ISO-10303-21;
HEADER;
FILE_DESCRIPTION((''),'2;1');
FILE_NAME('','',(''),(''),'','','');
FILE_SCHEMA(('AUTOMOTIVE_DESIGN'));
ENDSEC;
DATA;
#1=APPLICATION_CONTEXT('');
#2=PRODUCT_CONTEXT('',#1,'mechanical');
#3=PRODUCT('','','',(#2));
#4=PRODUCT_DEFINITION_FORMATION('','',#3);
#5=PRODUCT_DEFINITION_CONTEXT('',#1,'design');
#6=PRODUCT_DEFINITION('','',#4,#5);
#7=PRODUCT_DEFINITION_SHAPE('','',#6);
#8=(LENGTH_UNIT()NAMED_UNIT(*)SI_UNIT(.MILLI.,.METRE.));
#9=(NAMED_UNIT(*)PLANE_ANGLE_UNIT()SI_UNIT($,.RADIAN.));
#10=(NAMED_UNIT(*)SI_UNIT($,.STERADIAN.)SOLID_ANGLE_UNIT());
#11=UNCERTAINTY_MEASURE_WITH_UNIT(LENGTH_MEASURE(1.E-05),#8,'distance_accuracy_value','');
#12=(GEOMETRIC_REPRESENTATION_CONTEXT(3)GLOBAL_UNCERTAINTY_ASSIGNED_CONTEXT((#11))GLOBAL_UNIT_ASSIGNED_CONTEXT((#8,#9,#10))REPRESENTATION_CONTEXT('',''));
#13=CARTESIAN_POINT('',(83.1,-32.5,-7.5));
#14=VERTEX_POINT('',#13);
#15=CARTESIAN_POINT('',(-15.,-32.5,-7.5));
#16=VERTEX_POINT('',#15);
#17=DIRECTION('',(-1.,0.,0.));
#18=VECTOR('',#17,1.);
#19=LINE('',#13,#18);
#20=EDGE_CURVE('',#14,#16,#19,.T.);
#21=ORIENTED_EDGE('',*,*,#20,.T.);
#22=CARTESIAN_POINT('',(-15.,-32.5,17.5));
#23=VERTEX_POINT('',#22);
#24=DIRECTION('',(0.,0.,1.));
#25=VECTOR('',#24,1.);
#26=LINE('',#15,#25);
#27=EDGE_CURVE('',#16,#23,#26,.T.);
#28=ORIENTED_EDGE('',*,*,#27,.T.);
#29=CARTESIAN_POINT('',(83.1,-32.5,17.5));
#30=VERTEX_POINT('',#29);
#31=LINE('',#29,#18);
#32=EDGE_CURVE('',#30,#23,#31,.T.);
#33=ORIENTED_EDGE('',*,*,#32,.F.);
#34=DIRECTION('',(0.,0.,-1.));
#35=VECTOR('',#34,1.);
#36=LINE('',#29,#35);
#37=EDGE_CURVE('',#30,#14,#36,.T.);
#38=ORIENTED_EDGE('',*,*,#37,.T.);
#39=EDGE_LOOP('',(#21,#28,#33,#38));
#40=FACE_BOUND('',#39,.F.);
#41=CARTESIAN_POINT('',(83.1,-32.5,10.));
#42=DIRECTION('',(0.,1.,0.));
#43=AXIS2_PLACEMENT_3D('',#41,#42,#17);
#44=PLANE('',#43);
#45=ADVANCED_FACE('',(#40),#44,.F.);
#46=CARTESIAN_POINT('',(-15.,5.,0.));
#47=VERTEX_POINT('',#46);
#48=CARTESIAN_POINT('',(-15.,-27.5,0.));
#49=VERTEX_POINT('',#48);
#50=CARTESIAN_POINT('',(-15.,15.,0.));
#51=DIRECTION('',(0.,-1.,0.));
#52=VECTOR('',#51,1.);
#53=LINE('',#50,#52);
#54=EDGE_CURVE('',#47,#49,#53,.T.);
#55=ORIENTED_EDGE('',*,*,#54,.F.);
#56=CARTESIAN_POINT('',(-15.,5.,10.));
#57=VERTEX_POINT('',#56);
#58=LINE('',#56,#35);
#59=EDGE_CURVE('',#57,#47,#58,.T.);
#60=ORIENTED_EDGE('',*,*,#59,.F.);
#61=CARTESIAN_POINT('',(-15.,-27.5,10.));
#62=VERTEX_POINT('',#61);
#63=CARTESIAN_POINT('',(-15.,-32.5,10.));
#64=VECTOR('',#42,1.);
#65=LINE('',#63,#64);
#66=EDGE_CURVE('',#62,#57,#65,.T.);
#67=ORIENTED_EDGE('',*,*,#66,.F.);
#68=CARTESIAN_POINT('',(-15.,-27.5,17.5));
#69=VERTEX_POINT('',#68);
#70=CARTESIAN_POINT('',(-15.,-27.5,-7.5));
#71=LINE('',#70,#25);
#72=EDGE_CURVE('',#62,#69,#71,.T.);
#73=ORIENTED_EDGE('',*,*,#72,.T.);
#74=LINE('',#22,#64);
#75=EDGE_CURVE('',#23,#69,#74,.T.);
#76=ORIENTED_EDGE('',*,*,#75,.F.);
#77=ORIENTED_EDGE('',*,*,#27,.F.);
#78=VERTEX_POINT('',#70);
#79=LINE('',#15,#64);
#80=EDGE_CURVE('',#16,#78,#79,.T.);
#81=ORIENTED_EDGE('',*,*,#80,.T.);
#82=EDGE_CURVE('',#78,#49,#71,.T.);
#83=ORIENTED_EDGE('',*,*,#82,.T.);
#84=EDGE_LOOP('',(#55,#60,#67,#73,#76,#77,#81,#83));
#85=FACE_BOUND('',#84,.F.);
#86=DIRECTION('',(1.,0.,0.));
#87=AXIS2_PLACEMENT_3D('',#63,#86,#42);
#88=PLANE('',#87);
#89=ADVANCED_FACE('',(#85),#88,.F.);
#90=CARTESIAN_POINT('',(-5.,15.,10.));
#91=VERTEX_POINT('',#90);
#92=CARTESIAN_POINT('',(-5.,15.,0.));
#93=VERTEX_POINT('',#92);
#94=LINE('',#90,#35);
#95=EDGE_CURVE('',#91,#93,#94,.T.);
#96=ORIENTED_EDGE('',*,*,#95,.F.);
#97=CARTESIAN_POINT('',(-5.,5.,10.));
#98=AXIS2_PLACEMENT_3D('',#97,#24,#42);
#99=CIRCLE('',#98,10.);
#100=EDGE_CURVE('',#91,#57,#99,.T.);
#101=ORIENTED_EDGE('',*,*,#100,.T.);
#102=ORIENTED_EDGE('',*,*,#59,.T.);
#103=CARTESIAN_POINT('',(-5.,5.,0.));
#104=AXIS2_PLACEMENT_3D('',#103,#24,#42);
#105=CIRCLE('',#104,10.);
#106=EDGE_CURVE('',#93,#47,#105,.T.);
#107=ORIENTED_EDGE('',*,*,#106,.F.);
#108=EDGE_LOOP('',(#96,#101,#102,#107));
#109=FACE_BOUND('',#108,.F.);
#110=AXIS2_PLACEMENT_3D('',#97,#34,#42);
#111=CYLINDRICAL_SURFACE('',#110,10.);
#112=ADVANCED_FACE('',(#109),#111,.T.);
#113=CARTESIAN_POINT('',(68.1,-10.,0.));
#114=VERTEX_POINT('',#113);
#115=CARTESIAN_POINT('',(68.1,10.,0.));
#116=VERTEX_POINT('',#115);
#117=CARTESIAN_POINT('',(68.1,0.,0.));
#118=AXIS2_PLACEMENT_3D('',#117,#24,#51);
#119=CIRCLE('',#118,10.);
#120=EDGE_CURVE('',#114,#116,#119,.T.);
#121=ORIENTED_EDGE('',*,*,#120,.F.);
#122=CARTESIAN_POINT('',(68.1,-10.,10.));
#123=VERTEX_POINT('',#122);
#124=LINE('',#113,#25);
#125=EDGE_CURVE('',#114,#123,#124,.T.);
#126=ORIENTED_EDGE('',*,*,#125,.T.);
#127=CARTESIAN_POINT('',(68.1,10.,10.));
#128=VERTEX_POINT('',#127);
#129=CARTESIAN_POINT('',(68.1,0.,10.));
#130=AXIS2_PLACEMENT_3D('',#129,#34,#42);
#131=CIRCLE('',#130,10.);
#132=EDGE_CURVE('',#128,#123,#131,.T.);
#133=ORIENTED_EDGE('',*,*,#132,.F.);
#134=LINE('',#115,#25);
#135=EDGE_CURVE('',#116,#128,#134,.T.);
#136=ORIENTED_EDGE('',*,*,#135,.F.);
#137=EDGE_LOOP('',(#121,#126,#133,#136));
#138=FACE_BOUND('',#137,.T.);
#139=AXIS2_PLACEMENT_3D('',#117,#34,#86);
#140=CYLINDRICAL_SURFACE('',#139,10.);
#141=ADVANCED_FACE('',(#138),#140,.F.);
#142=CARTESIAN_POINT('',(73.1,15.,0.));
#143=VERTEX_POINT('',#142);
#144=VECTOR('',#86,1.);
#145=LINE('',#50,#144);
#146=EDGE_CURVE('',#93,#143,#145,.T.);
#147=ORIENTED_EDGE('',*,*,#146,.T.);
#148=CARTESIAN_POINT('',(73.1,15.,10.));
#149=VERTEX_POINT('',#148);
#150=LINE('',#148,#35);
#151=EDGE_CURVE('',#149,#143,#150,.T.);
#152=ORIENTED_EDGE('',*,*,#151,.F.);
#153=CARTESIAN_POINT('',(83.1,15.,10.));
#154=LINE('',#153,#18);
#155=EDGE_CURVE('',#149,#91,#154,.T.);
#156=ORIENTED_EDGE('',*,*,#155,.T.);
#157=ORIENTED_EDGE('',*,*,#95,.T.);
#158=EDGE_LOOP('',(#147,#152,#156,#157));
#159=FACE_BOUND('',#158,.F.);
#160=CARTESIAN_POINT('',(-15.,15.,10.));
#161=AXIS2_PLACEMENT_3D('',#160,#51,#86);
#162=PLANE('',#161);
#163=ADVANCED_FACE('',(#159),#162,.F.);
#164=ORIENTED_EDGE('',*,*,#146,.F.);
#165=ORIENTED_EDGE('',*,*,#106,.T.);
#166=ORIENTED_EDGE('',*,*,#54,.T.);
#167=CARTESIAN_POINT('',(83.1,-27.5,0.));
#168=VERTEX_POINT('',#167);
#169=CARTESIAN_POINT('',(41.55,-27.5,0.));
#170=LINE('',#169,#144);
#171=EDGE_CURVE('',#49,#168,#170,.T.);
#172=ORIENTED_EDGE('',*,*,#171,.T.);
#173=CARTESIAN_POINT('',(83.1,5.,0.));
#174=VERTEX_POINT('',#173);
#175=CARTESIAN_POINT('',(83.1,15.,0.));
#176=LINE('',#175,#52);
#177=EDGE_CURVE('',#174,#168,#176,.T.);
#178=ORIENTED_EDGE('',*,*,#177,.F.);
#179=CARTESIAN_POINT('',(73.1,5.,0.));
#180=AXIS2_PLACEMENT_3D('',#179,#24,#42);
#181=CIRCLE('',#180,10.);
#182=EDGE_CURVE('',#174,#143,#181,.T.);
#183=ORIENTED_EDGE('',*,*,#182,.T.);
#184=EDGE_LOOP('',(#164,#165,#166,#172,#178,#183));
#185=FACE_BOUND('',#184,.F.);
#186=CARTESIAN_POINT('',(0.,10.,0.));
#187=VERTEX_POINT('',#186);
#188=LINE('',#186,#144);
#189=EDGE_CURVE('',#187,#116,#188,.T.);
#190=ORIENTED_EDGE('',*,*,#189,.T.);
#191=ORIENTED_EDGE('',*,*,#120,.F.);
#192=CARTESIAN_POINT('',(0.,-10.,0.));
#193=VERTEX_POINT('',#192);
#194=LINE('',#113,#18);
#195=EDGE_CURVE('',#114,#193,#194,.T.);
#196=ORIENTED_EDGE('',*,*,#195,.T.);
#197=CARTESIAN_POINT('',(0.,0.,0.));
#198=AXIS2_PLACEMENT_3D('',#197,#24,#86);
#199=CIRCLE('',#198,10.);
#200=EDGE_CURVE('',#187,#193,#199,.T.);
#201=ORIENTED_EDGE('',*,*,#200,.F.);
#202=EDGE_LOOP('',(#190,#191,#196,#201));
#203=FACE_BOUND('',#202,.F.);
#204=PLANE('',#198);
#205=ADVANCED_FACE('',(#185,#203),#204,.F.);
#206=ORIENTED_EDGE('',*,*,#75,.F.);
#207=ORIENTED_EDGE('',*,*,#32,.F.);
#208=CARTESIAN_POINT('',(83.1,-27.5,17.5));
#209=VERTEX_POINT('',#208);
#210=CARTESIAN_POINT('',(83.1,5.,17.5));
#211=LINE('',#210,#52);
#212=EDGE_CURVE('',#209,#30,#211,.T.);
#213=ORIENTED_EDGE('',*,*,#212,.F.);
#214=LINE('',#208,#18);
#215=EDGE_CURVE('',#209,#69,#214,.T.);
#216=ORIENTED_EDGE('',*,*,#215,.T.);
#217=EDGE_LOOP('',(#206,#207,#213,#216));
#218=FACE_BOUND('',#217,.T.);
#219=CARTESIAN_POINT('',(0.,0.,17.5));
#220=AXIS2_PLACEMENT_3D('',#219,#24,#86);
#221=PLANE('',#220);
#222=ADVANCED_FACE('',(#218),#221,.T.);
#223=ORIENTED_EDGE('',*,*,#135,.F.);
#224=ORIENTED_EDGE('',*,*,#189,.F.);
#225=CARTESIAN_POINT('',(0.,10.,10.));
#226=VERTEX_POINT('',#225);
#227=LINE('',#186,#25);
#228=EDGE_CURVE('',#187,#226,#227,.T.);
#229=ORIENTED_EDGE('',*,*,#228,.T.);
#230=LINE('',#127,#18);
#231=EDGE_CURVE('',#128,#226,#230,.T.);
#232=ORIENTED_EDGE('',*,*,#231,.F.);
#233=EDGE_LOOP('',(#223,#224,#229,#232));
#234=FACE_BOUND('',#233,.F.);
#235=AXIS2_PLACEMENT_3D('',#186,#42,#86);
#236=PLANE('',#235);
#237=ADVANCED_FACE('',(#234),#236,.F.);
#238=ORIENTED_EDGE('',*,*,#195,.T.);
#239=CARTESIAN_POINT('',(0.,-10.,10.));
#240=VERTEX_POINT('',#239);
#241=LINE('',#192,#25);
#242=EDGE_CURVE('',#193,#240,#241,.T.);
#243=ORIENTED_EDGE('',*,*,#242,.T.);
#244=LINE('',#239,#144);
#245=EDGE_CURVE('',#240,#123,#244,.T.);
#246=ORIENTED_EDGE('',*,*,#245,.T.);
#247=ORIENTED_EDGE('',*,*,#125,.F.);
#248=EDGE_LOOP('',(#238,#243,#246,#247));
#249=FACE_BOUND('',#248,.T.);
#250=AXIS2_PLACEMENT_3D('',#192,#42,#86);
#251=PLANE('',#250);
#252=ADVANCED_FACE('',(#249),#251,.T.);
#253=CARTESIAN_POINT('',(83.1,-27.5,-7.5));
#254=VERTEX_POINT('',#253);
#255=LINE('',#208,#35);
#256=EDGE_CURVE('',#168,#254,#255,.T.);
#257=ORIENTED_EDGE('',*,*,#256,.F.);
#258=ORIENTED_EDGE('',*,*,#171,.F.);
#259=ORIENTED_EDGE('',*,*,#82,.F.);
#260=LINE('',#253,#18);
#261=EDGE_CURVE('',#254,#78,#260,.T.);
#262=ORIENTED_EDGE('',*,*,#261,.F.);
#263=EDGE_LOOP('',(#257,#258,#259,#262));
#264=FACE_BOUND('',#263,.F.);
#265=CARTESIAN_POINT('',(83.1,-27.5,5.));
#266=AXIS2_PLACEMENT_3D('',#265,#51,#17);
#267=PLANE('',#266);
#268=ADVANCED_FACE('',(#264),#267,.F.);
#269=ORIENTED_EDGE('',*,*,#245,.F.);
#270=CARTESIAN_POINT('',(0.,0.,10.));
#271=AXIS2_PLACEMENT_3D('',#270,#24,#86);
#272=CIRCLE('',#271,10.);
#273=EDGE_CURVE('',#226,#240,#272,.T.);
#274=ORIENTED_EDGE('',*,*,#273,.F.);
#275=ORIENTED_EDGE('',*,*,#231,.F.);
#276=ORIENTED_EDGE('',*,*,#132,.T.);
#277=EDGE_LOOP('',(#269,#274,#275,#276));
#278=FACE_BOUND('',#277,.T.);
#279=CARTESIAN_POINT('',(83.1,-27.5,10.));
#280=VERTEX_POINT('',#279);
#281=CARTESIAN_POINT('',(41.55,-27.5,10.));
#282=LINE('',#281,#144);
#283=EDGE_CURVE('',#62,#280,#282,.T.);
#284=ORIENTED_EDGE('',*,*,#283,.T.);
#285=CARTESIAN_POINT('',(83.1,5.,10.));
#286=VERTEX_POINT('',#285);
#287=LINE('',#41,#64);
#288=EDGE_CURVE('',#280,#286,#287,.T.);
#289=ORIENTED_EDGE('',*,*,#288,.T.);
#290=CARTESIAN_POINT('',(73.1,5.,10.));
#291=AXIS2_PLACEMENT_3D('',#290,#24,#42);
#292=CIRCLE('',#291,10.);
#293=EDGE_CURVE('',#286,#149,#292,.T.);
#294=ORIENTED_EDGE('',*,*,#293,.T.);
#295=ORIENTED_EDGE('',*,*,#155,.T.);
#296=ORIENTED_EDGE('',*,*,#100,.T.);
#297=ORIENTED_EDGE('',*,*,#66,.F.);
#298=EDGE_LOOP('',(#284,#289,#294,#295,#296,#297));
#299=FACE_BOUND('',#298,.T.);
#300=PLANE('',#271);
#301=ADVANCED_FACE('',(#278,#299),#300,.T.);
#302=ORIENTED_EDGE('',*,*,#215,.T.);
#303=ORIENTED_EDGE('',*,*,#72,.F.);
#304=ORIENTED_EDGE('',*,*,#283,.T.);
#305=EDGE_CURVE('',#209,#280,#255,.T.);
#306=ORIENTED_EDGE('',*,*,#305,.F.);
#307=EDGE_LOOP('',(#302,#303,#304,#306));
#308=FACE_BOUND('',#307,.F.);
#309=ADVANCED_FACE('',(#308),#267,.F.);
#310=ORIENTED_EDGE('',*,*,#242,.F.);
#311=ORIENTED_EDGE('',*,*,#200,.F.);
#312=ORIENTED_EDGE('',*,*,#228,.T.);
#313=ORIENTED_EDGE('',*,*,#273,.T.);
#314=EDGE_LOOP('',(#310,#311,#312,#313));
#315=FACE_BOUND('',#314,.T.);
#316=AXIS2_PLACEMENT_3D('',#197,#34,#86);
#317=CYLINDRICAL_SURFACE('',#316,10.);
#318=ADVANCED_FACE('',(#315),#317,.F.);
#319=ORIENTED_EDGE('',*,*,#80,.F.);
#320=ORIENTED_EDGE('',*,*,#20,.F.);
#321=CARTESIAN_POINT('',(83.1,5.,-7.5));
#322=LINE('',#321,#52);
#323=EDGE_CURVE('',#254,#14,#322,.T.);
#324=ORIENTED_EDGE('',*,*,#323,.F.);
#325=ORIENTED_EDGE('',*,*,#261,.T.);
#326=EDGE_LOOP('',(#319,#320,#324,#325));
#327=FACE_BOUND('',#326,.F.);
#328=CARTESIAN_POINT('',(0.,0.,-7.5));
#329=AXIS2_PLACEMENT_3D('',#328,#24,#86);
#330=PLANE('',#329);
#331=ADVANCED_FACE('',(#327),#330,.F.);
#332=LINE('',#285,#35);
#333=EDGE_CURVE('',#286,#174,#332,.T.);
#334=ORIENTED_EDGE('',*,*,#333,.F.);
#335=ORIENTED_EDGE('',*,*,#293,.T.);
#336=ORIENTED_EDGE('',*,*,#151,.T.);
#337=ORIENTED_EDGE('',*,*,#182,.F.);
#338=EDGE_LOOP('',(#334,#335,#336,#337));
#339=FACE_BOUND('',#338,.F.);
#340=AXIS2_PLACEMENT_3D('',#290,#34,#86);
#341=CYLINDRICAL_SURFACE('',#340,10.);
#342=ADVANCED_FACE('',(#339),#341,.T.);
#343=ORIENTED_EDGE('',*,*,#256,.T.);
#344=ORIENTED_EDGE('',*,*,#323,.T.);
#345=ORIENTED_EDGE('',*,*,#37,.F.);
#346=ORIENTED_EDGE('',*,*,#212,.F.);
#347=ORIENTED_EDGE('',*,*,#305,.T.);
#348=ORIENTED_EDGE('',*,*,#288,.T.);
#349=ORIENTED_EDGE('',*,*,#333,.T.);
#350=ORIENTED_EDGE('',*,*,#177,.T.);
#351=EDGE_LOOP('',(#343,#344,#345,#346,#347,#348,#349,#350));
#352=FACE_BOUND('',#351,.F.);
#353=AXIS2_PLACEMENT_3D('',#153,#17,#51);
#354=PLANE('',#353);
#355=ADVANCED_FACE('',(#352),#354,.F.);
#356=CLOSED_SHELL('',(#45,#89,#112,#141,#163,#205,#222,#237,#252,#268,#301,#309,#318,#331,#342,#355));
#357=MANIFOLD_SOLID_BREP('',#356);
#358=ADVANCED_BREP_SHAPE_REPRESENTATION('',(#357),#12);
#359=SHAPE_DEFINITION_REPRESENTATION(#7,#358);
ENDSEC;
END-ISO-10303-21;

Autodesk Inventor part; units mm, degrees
ref_plane "YZ Plane" through (0, 0, 0) normal (1, 0, 0) x (0, 1, 0)
ref_plane "XZ Plane" through (0, 0, 0) normal (0, 1, 0) x (-1, 0, 0)
ref_plane "XY Plane" through (0, 0, 0) normal (0, 0, 1) x (1, 0, 0)
sketch "Sketch1" plane through (0, 0, 0) normal (0, 0, 1) x (1, 0, 0)
  line L0 (0, 0) -> (68.1, 0)
  circle A0 centre (0, 0) radius 10
  circle A1 centre (68.1, 0) radius 10
  line L1 (0, 10) -> (68.1, 10)
  line L2 (0, -10) -> (68.1, -10)
  circle A2 centre (0, 0) radius 15
  circle A3 centre (68.1, 0) radius 15
  line L3 (0, 15) -> (68.1, 15)
  line L4 (68.1, -15) -> (0, -15)
  dimension "d0" = 68.1
  dimension "d1" = 20
  dimension "d2" = 20
  dimension "d3" = 30
  dimension "d4" = 30
extrude "Extrusion1" add sketch "Sketch1" along normal blind 10 contours A0 L2 A2 L1 | A2 L3 A3 L1 | L2 A3 L4 A2 | A3 L2 A1 L1
sketch "Sketch2" plane through (0, 0, 10) normal (0, 0, 1) x (1, 0, 0)
  line L0 (0, 0) -> (0, -32.5) construction
  arc A0 (0, 15) -> (0, -15) centre (0, 0) ccw construction
  line L1 (-15, 0) -> (-15, -32.5) construction
  arc A1 (68.1, -15) -> (68.1, 15) centre (68.1, 0) ccw construction
  line L2 (83.1, 0) -> (83.1, -32.5) construction
  line L3 (-15, -32.5) -> (-15, 15)
  line L4 (-15, 15) -> (83.1, 15)
  line L5 (83.1, 15) -> (83.1, -32.5)
  line L6 (83.1, -32.5) -> (-15, -32.5)
  line L7 (0, 10) -> (68.1, 10) projected
  arc A2 (0, 10) -> (0, -10) centre (0, 0) ccw projected
  line L8 (68.1, -10) -> (0, -10) projected
  arc A3 (68.1, -10) -> (68.1, 10) centre (68.1, 0) ccw projected
  dimension "d7" = 32.5
extrude "Extrusion2" add sketch "Sketch2" against normal blind 10
fillet "Fillet1" radius 10 1 edges at (83.1, 15, 5)
fillet "Fillet2" radius 10 1 edges at (-15, 15, 5)
ref_plane "Work Plane1" through (0, 0, 5) normal (0, 0, 1) x (1, 0, 0)
sketch "Sketch3" plane through (0, 0, 5) normal (0, 0, 1) x (1, 0, 0)
  arc A0 (-5, 15) -> (-15, 5) centre (-5, 5) ccw projected
  line L0 (-5, 15) -> (73.1, 15) projected
  line L1 (83.1, 5) -> (83.1, -32.5) projected
  line L2 (83.1, -32.5) -> (-15, -32.5) projected
  line L3 (-15, -32.5) -> (-15, 5) projected
  line L4 (0, 10) -> (68.1, 10) projected
  arc A1 (0, 10) -> (0, -10) centre (0, 0) ccw projected
  line L5 (68.1, -10) -> (0, -10) projected
  arc A2 (68.1, -10) -> (68.1, 10) centre (68.1, 0) ccw projected
  line L6 (83.1, -32.5) -> (-15, -32.5) projected
  line L7 (-15, -32.5) -> (83.1, -32.5)
  line L8 (83.1, -32.5) -> (83.1, -27.5)
  line L9 (83.1, -27.5) -> (-15, -27.5)
  line L10 (-15, -27.5) -> (-15, -32.5)
  arc A3 (83.1, 5) -> (73.1, 15) centre (73.1, 5) ccw projected
  dimension "d12" = 5
extrude "Extrusion3" add sketch "Sketch3" along normal mid plane 25 contours L9 L1 L2 L3
ref_plane "Work Plane2" through (68.1, -10, 10) normal (1, 0, 0) x (0, 0, -1)
ref_plane "Work Plane3" through (0, -10, 10) normal (1, 0, 0) x (0, 0, -1)
ref_plane "Work Plane4" through (34.05, 5, 10) normal (1, 0, 0) x (0, 0, -1)
properties part number "PistaEslabonPreliminar"
